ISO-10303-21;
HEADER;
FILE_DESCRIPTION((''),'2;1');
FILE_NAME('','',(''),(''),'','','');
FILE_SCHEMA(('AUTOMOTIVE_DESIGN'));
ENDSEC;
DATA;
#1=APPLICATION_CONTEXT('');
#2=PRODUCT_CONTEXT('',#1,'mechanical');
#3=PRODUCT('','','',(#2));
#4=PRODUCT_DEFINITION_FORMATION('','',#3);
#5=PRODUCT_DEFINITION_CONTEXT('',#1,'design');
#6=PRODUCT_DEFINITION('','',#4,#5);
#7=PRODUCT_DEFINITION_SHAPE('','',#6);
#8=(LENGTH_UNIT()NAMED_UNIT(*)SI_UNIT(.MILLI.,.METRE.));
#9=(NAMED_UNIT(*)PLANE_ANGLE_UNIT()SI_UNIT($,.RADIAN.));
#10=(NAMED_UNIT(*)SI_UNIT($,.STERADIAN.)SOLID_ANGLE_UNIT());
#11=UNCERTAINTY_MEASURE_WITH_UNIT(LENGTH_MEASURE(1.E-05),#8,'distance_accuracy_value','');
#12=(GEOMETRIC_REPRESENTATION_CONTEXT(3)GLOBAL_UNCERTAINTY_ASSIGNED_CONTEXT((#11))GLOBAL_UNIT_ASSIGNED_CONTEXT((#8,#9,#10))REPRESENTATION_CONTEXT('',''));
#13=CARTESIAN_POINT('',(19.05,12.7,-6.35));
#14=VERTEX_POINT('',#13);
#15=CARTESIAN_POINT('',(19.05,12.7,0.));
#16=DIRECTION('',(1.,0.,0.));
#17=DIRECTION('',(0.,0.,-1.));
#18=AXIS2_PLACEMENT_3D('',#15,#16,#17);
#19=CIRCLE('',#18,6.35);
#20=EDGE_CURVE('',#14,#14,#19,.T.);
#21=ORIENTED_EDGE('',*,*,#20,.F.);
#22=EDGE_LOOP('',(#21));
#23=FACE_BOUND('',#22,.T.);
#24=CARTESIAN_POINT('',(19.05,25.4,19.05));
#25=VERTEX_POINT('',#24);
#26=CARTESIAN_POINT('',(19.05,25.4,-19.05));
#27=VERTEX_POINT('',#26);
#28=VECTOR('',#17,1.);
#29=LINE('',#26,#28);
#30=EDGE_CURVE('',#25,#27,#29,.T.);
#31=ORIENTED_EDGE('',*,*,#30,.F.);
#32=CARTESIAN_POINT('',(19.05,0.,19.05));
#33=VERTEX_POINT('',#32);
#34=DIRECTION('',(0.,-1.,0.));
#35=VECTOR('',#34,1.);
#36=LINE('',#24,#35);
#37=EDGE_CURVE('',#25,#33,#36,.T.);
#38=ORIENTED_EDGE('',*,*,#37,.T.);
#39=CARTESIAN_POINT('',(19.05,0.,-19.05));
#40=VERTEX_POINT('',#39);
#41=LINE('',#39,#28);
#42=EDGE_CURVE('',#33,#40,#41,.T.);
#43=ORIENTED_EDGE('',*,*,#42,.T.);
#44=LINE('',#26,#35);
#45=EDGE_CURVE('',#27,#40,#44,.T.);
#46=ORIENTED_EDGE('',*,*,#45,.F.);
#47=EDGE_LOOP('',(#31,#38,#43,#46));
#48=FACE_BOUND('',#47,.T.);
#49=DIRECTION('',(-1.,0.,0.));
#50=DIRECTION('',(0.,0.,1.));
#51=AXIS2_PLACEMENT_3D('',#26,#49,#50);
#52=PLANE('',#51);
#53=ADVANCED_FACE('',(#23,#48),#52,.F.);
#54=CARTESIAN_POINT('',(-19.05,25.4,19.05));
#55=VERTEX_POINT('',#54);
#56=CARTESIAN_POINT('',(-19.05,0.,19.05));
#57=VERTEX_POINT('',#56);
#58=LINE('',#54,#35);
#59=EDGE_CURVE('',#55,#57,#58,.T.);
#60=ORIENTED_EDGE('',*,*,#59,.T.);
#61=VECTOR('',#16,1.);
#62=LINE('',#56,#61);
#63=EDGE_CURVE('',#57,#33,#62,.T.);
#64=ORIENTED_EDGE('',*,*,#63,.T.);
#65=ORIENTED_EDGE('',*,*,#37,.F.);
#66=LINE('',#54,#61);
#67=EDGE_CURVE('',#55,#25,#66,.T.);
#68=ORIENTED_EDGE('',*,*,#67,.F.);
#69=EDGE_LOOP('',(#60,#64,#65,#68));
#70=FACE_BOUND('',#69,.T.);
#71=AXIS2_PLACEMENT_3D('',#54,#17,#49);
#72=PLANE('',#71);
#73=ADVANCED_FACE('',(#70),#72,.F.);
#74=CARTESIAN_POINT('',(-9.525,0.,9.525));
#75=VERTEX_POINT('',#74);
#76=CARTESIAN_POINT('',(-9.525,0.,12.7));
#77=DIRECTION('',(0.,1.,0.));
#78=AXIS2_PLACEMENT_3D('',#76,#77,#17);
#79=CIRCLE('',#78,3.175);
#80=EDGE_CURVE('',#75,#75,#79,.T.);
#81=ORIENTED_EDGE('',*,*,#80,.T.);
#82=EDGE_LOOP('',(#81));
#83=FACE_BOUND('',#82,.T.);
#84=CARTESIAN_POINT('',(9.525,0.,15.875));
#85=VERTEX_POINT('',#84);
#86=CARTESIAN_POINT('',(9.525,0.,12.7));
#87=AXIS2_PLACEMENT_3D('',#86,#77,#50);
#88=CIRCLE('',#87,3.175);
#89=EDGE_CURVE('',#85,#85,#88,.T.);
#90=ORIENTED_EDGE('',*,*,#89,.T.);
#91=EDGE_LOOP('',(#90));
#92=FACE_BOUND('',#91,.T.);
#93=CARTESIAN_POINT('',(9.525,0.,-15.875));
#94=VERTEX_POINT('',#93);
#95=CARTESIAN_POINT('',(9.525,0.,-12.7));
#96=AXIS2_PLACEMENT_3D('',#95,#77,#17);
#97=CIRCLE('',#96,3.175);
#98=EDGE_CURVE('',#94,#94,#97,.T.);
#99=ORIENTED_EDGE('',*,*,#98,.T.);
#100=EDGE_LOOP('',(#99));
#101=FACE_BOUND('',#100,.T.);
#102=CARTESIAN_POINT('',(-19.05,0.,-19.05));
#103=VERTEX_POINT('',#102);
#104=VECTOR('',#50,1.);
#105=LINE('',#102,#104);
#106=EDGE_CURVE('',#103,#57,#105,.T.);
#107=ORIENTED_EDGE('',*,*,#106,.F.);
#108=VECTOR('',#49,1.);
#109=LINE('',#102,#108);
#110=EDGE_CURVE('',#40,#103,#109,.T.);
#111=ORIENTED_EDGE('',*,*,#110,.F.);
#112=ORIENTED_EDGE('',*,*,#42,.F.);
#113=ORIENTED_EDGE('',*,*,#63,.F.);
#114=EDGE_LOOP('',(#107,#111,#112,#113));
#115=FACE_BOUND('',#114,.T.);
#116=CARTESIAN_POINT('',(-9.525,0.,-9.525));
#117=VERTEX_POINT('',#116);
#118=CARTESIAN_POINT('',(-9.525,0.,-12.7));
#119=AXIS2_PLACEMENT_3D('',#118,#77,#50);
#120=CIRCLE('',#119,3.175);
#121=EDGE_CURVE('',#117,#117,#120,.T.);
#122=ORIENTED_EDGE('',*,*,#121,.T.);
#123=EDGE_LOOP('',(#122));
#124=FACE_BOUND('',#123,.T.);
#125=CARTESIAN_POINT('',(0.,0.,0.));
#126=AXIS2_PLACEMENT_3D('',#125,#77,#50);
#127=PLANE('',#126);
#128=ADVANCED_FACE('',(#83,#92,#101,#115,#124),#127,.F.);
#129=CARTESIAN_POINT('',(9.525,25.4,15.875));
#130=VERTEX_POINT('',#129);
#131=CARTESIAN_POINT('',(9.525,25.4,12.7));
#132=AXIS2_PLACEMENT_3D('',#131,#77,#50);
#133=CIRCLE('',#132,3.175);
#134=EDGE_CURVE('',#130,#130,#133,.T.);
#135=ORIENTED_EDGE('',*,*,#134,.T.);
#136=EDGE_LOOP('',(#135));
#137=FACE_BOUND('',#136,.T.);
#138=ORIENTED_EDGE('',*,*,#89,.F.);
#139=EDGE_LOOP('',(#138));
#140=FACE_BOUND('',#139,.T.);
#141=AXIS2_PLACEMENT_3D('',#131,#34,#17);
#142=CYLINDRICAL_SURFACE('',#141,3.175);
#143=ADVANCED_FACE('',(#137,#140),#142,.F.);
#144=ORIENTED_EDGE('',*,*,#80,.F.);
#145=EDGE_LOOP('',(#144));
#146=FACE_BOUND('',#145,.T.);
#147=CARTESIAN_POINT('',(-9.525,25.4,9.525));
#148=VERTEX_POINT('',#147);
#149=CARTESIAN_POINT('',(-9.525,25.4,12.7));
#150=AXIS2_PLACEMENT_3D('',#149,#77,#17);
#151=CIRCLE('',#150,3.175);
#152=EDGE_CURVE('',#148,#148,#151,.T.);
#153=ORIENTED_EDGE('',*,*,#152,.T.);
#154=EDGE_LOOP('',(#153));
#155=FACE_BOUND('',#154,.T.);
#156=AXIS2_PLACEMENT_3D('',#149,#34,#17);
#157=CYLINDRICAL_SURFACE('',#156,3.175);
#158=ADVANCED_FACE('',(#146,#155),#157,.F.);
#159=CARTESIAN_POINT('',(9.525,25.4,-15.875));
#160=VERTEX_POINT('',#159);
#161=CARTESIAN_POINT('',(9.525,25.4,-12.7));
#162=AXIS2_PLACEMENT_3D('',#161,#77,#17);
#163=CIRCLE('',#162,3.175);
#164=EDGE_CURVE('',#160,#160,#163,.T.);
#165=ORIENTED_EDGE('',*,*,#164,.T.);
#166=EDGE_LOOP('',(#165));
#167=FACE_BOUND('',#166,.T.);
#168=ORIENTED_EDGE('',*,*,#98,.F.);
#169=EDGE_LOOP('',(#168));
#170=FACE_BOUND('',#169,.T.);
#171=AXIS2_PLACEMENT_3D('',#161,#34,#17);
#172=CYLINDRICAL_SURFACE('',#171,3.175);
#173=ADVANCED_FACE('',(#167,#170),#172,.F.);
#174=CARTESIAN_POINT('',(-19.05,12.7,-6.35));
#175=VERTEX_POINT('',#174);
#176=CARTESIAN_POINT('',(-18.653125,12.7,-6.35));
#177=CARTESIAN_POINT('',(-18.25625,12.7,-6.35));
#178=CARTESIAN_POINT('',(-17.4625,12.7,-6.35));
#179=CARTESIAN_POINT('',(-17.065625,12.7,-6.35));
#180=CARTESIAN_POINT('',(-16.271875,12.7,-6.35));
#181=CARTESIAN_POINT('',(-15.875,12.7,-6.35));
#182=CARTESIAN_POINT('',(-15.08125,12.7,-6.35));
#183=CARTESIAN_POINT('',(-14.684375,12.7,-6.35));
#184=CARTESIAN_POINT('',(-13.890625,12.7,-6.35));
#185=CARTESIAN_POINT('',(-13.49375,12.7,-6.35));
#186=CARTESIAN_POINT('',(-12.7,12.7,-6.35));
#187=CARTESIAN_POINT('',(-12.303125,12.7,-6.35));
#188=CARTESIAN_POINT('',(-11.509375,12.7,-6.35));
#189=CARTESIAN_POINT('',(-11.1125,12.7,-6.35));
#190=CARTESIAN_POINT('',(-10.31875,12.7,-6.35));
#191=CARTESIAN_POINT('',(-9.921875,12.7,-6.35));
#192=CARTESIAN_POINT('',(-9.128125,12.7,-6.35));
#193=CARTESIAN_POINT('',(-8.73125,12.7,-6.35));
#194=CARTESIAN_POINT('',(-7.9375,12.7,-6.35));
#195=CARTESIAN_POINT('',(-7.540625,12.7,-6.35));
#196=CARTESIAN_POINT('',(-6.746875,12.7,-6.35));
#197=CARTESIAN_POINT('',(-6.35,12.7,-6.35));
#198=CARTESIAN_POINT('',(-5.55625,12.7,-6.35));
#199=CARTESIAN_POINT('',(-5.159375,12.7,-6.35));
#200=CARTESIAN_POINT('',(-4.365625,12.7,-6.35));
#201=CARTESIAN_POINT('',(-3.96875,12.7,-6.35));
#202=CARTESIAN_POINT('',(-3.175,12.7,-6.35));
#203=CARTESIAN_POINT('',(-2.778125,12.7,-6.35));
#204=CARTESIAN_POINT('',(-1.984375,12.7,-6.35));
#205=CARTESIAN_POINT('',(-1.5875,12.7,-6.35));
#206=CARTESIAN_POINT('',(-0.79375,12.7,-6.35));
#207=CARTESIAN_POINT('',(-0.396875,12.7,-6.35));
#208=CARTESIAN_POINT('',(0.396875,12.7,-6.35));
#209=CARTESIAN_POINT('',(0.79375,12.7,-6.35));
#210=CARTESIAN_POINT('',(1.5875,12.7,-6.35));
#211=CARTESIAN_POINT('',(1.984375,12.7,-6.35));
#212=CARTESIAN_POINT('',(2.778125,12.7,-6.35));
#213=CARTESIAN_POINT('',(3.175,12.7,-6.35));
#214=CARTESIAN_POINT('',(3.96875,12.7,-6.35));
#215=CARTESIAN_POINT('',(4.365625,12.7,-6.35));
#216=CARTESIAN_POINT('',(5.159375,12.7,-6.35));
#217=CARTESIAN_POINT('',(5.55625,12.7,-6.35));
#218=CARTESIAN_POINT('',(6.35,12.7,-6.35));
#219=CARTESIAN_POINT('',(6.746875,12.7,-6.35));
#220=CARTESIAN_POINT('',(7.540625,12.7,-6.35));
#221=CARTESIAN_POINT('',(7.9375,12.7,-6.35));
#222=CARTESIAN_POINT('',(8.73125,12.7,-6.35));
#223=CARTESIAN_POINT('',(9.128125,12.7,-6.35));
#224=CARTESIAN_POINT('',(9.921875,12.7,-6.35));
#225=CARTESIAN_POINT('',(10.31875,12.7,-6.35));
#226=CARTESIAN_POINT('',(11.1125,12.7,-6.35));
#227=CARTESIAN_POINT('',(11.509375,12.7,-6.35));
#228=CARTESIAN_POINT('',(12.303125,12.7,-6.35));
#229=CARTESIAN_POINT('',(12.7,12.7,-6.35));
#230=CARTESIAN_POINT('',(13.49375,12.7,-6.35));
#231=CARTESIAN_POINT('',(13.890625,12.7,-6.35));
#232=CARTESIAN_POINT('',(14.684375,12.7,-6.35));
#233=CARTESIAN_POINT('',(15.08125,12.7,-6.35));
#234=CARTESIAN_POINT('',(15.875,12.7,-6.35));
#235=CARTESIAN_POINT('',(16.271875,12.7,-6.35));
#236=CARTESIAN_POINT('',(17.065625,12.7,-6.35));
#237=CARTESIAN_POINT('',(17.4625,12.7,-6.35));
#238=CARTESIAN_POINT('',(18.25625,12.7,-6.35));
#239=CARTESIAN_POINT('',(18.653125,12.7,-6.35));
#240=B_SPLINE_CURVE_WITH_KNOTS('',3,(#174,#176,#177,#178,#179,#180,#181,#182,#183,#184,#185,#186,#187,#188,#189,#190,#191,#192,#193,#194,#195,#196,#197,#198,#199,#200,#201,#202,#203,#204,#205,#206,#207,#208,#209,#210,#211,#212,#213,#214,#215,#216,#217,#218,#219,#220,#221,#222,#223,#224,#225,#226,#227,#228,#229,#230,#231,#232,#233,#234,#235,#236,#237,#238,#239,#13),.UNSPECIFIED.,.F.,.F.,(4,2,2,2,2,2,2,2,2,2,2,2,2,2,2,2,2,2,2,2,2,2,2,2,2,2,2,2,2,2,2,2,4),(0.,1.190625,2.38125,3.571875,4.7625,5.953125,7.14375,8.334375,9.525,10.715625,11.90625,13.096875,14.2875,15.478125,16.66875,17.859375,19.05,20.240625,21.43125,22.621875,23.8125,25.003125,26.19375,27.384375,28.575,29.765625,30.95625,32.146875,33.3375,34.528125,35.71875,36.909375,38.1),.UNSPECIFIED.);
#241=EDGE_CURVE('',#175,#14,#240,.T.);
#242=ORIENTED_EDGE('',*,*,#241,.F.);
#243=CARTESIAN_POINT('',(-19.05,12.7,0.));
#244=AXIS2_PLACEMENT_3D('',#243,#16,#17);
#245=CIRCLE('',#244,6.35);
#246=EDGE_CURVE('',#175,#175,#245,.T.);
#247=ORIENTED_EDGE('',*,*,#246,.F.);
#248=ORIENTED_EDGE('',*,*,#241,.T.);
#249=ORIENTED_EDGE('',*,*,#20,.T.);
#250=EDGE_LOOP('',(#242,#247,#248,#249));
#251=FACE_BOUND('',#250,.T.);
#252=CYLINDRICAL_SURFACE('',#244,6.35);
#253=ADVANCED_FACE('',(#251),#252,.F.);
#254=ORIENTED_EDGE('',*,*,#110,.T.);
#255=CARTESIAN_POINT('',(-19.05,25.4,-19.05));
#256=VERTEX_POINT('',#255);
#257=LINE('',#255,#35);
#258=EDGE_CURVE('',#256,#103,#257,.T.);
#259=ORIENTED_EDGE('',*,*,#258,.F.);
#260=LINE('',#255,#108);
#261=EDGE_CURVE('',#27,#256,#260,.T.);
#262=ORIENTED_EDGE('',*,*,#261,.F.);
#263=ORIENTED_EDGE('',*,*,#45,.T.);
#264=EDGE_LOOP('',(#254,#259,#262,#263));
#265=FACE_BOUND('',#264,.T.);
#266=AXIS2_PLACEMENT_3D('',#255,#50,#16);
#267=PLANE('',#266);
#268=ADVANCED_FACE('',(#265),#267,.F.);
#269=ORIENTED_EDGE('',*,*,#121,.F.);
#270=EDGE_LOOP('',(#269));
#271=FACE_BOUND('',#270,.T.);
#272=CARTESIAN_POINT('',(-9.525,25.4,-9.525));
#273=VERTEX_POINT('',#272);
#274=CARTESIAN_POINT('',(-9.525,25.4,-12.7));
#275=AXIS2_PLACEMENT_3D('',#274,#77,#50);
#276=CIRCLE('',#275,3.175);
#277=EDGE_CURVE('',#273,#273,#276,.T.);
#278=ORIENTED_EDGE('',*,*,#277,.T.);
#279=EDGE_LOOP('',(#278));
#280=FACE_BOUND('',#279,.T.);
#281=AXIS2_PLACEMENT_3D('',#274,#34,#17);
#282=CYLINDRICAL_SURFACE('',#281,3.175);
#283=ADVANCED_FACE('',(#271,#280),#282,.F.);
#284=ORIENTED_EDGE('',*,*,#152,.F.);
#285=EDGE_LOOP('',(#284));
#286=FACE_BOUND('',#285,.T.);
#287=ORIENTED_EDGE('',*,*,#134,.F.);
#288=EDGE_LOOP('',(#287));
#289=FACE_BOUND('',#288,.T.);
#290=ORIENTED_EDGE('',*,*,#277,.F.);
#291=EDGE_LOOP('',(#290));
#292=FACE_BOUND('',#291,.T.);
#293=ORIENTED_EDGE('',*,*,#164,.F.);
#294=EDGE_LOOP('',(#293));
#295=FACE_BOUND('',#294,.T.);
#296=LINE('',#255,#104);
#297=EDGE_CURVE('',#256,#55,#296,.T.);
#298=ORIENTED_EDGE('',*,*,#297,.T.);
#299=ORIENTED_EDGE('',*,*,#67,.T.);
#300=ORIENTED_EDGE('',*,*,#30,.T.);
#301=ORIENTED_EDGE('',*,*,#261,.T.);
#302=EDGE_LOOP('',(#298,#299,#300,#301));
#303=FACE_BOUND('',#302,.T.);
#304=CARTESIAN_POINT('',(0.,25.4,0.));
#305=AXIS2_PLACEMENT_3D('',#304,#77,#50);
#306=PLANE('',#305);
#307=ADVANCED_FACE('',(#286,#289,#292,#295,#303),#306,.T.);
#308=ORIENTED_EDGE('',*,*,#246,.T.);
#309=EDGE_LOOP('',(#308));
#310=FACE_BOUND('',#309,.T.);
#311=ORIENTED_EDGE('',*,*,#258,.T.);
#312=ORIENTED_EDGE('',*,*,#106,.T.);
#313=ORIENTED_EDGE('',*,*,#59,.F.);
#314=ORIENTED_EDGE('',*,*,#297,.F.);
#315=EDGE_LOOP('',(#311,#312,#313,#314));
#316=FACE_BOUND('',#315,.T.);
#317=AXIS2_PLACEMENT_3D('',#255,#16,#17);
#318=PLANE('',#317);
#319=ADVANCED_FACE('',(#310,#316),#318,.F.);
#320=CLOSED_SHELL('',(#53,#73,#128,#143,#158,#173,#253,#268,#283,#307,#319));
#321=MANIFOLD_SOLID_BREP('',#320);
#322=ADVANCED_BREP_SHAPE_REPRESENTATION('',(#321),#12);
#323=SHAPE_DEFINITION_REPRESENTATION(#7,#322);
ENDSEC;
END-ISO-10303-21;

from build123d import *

# Parameters (mm, degrees)
SKETCH1_W           = 38.1
SKETCH1_H           = 38.1
SKETCH1_R           = 3.175
BOSS_EXTRUDE1_DEPTH = 25.4
SKETCH2_R           = 6.35
CUT_EXTRUDE1_DEPTH  = 50.595085442


with BuildPart() as part:
    # Sketch1 → Boss-Extrude1 (new body)
    with BuildSketch(Plane(origin=(0, 0, 0), x_dir=(1, 0, 0), z_dir=(0, 1, 0))):
        Rectangle(SKETCH1_W, SKETCH1_H)
        with Locations(Location((-9.525, 12.7, 0), (0, 0, 270))):
            Circle(SKETCH1_R, mode=Mode.SUBTRACT)
        with Locations(Location((9.525, 12.7, 0), (0, 0, 90))):
            Circle(SKETCH1_R, mode=Mode.SUBTRACT)
        with Locations(Location((9.525, -12.7, 0), (0, 0, 270))):
            Circle(SKETCH1_R, mode=Mode.SUBTRACT)
        with Locations(Location((-9.525, -12.7, 0), (0, 0, 90))):
            Circle(SKETCH1_R, mode=Mode.SUBTRACT)
    extrude(amount=BOSS_EXTRUDE1_DEPTH)

    # Sketch2 → Cut-Extrude1 (cut, through all)
    with BuildSketch(Plane(origin=(19.05, 0, 0), x_dir=(0, 0, -1), z_dir=(1, 0, 0))):
        with Locations((0, 12.7)):
            Circle(SKETCH2_R)
    extrude(amount=-CUT_EXTRUDE1_DEPTH, mode=Mode.SUBTRACT)


solid = part.part
